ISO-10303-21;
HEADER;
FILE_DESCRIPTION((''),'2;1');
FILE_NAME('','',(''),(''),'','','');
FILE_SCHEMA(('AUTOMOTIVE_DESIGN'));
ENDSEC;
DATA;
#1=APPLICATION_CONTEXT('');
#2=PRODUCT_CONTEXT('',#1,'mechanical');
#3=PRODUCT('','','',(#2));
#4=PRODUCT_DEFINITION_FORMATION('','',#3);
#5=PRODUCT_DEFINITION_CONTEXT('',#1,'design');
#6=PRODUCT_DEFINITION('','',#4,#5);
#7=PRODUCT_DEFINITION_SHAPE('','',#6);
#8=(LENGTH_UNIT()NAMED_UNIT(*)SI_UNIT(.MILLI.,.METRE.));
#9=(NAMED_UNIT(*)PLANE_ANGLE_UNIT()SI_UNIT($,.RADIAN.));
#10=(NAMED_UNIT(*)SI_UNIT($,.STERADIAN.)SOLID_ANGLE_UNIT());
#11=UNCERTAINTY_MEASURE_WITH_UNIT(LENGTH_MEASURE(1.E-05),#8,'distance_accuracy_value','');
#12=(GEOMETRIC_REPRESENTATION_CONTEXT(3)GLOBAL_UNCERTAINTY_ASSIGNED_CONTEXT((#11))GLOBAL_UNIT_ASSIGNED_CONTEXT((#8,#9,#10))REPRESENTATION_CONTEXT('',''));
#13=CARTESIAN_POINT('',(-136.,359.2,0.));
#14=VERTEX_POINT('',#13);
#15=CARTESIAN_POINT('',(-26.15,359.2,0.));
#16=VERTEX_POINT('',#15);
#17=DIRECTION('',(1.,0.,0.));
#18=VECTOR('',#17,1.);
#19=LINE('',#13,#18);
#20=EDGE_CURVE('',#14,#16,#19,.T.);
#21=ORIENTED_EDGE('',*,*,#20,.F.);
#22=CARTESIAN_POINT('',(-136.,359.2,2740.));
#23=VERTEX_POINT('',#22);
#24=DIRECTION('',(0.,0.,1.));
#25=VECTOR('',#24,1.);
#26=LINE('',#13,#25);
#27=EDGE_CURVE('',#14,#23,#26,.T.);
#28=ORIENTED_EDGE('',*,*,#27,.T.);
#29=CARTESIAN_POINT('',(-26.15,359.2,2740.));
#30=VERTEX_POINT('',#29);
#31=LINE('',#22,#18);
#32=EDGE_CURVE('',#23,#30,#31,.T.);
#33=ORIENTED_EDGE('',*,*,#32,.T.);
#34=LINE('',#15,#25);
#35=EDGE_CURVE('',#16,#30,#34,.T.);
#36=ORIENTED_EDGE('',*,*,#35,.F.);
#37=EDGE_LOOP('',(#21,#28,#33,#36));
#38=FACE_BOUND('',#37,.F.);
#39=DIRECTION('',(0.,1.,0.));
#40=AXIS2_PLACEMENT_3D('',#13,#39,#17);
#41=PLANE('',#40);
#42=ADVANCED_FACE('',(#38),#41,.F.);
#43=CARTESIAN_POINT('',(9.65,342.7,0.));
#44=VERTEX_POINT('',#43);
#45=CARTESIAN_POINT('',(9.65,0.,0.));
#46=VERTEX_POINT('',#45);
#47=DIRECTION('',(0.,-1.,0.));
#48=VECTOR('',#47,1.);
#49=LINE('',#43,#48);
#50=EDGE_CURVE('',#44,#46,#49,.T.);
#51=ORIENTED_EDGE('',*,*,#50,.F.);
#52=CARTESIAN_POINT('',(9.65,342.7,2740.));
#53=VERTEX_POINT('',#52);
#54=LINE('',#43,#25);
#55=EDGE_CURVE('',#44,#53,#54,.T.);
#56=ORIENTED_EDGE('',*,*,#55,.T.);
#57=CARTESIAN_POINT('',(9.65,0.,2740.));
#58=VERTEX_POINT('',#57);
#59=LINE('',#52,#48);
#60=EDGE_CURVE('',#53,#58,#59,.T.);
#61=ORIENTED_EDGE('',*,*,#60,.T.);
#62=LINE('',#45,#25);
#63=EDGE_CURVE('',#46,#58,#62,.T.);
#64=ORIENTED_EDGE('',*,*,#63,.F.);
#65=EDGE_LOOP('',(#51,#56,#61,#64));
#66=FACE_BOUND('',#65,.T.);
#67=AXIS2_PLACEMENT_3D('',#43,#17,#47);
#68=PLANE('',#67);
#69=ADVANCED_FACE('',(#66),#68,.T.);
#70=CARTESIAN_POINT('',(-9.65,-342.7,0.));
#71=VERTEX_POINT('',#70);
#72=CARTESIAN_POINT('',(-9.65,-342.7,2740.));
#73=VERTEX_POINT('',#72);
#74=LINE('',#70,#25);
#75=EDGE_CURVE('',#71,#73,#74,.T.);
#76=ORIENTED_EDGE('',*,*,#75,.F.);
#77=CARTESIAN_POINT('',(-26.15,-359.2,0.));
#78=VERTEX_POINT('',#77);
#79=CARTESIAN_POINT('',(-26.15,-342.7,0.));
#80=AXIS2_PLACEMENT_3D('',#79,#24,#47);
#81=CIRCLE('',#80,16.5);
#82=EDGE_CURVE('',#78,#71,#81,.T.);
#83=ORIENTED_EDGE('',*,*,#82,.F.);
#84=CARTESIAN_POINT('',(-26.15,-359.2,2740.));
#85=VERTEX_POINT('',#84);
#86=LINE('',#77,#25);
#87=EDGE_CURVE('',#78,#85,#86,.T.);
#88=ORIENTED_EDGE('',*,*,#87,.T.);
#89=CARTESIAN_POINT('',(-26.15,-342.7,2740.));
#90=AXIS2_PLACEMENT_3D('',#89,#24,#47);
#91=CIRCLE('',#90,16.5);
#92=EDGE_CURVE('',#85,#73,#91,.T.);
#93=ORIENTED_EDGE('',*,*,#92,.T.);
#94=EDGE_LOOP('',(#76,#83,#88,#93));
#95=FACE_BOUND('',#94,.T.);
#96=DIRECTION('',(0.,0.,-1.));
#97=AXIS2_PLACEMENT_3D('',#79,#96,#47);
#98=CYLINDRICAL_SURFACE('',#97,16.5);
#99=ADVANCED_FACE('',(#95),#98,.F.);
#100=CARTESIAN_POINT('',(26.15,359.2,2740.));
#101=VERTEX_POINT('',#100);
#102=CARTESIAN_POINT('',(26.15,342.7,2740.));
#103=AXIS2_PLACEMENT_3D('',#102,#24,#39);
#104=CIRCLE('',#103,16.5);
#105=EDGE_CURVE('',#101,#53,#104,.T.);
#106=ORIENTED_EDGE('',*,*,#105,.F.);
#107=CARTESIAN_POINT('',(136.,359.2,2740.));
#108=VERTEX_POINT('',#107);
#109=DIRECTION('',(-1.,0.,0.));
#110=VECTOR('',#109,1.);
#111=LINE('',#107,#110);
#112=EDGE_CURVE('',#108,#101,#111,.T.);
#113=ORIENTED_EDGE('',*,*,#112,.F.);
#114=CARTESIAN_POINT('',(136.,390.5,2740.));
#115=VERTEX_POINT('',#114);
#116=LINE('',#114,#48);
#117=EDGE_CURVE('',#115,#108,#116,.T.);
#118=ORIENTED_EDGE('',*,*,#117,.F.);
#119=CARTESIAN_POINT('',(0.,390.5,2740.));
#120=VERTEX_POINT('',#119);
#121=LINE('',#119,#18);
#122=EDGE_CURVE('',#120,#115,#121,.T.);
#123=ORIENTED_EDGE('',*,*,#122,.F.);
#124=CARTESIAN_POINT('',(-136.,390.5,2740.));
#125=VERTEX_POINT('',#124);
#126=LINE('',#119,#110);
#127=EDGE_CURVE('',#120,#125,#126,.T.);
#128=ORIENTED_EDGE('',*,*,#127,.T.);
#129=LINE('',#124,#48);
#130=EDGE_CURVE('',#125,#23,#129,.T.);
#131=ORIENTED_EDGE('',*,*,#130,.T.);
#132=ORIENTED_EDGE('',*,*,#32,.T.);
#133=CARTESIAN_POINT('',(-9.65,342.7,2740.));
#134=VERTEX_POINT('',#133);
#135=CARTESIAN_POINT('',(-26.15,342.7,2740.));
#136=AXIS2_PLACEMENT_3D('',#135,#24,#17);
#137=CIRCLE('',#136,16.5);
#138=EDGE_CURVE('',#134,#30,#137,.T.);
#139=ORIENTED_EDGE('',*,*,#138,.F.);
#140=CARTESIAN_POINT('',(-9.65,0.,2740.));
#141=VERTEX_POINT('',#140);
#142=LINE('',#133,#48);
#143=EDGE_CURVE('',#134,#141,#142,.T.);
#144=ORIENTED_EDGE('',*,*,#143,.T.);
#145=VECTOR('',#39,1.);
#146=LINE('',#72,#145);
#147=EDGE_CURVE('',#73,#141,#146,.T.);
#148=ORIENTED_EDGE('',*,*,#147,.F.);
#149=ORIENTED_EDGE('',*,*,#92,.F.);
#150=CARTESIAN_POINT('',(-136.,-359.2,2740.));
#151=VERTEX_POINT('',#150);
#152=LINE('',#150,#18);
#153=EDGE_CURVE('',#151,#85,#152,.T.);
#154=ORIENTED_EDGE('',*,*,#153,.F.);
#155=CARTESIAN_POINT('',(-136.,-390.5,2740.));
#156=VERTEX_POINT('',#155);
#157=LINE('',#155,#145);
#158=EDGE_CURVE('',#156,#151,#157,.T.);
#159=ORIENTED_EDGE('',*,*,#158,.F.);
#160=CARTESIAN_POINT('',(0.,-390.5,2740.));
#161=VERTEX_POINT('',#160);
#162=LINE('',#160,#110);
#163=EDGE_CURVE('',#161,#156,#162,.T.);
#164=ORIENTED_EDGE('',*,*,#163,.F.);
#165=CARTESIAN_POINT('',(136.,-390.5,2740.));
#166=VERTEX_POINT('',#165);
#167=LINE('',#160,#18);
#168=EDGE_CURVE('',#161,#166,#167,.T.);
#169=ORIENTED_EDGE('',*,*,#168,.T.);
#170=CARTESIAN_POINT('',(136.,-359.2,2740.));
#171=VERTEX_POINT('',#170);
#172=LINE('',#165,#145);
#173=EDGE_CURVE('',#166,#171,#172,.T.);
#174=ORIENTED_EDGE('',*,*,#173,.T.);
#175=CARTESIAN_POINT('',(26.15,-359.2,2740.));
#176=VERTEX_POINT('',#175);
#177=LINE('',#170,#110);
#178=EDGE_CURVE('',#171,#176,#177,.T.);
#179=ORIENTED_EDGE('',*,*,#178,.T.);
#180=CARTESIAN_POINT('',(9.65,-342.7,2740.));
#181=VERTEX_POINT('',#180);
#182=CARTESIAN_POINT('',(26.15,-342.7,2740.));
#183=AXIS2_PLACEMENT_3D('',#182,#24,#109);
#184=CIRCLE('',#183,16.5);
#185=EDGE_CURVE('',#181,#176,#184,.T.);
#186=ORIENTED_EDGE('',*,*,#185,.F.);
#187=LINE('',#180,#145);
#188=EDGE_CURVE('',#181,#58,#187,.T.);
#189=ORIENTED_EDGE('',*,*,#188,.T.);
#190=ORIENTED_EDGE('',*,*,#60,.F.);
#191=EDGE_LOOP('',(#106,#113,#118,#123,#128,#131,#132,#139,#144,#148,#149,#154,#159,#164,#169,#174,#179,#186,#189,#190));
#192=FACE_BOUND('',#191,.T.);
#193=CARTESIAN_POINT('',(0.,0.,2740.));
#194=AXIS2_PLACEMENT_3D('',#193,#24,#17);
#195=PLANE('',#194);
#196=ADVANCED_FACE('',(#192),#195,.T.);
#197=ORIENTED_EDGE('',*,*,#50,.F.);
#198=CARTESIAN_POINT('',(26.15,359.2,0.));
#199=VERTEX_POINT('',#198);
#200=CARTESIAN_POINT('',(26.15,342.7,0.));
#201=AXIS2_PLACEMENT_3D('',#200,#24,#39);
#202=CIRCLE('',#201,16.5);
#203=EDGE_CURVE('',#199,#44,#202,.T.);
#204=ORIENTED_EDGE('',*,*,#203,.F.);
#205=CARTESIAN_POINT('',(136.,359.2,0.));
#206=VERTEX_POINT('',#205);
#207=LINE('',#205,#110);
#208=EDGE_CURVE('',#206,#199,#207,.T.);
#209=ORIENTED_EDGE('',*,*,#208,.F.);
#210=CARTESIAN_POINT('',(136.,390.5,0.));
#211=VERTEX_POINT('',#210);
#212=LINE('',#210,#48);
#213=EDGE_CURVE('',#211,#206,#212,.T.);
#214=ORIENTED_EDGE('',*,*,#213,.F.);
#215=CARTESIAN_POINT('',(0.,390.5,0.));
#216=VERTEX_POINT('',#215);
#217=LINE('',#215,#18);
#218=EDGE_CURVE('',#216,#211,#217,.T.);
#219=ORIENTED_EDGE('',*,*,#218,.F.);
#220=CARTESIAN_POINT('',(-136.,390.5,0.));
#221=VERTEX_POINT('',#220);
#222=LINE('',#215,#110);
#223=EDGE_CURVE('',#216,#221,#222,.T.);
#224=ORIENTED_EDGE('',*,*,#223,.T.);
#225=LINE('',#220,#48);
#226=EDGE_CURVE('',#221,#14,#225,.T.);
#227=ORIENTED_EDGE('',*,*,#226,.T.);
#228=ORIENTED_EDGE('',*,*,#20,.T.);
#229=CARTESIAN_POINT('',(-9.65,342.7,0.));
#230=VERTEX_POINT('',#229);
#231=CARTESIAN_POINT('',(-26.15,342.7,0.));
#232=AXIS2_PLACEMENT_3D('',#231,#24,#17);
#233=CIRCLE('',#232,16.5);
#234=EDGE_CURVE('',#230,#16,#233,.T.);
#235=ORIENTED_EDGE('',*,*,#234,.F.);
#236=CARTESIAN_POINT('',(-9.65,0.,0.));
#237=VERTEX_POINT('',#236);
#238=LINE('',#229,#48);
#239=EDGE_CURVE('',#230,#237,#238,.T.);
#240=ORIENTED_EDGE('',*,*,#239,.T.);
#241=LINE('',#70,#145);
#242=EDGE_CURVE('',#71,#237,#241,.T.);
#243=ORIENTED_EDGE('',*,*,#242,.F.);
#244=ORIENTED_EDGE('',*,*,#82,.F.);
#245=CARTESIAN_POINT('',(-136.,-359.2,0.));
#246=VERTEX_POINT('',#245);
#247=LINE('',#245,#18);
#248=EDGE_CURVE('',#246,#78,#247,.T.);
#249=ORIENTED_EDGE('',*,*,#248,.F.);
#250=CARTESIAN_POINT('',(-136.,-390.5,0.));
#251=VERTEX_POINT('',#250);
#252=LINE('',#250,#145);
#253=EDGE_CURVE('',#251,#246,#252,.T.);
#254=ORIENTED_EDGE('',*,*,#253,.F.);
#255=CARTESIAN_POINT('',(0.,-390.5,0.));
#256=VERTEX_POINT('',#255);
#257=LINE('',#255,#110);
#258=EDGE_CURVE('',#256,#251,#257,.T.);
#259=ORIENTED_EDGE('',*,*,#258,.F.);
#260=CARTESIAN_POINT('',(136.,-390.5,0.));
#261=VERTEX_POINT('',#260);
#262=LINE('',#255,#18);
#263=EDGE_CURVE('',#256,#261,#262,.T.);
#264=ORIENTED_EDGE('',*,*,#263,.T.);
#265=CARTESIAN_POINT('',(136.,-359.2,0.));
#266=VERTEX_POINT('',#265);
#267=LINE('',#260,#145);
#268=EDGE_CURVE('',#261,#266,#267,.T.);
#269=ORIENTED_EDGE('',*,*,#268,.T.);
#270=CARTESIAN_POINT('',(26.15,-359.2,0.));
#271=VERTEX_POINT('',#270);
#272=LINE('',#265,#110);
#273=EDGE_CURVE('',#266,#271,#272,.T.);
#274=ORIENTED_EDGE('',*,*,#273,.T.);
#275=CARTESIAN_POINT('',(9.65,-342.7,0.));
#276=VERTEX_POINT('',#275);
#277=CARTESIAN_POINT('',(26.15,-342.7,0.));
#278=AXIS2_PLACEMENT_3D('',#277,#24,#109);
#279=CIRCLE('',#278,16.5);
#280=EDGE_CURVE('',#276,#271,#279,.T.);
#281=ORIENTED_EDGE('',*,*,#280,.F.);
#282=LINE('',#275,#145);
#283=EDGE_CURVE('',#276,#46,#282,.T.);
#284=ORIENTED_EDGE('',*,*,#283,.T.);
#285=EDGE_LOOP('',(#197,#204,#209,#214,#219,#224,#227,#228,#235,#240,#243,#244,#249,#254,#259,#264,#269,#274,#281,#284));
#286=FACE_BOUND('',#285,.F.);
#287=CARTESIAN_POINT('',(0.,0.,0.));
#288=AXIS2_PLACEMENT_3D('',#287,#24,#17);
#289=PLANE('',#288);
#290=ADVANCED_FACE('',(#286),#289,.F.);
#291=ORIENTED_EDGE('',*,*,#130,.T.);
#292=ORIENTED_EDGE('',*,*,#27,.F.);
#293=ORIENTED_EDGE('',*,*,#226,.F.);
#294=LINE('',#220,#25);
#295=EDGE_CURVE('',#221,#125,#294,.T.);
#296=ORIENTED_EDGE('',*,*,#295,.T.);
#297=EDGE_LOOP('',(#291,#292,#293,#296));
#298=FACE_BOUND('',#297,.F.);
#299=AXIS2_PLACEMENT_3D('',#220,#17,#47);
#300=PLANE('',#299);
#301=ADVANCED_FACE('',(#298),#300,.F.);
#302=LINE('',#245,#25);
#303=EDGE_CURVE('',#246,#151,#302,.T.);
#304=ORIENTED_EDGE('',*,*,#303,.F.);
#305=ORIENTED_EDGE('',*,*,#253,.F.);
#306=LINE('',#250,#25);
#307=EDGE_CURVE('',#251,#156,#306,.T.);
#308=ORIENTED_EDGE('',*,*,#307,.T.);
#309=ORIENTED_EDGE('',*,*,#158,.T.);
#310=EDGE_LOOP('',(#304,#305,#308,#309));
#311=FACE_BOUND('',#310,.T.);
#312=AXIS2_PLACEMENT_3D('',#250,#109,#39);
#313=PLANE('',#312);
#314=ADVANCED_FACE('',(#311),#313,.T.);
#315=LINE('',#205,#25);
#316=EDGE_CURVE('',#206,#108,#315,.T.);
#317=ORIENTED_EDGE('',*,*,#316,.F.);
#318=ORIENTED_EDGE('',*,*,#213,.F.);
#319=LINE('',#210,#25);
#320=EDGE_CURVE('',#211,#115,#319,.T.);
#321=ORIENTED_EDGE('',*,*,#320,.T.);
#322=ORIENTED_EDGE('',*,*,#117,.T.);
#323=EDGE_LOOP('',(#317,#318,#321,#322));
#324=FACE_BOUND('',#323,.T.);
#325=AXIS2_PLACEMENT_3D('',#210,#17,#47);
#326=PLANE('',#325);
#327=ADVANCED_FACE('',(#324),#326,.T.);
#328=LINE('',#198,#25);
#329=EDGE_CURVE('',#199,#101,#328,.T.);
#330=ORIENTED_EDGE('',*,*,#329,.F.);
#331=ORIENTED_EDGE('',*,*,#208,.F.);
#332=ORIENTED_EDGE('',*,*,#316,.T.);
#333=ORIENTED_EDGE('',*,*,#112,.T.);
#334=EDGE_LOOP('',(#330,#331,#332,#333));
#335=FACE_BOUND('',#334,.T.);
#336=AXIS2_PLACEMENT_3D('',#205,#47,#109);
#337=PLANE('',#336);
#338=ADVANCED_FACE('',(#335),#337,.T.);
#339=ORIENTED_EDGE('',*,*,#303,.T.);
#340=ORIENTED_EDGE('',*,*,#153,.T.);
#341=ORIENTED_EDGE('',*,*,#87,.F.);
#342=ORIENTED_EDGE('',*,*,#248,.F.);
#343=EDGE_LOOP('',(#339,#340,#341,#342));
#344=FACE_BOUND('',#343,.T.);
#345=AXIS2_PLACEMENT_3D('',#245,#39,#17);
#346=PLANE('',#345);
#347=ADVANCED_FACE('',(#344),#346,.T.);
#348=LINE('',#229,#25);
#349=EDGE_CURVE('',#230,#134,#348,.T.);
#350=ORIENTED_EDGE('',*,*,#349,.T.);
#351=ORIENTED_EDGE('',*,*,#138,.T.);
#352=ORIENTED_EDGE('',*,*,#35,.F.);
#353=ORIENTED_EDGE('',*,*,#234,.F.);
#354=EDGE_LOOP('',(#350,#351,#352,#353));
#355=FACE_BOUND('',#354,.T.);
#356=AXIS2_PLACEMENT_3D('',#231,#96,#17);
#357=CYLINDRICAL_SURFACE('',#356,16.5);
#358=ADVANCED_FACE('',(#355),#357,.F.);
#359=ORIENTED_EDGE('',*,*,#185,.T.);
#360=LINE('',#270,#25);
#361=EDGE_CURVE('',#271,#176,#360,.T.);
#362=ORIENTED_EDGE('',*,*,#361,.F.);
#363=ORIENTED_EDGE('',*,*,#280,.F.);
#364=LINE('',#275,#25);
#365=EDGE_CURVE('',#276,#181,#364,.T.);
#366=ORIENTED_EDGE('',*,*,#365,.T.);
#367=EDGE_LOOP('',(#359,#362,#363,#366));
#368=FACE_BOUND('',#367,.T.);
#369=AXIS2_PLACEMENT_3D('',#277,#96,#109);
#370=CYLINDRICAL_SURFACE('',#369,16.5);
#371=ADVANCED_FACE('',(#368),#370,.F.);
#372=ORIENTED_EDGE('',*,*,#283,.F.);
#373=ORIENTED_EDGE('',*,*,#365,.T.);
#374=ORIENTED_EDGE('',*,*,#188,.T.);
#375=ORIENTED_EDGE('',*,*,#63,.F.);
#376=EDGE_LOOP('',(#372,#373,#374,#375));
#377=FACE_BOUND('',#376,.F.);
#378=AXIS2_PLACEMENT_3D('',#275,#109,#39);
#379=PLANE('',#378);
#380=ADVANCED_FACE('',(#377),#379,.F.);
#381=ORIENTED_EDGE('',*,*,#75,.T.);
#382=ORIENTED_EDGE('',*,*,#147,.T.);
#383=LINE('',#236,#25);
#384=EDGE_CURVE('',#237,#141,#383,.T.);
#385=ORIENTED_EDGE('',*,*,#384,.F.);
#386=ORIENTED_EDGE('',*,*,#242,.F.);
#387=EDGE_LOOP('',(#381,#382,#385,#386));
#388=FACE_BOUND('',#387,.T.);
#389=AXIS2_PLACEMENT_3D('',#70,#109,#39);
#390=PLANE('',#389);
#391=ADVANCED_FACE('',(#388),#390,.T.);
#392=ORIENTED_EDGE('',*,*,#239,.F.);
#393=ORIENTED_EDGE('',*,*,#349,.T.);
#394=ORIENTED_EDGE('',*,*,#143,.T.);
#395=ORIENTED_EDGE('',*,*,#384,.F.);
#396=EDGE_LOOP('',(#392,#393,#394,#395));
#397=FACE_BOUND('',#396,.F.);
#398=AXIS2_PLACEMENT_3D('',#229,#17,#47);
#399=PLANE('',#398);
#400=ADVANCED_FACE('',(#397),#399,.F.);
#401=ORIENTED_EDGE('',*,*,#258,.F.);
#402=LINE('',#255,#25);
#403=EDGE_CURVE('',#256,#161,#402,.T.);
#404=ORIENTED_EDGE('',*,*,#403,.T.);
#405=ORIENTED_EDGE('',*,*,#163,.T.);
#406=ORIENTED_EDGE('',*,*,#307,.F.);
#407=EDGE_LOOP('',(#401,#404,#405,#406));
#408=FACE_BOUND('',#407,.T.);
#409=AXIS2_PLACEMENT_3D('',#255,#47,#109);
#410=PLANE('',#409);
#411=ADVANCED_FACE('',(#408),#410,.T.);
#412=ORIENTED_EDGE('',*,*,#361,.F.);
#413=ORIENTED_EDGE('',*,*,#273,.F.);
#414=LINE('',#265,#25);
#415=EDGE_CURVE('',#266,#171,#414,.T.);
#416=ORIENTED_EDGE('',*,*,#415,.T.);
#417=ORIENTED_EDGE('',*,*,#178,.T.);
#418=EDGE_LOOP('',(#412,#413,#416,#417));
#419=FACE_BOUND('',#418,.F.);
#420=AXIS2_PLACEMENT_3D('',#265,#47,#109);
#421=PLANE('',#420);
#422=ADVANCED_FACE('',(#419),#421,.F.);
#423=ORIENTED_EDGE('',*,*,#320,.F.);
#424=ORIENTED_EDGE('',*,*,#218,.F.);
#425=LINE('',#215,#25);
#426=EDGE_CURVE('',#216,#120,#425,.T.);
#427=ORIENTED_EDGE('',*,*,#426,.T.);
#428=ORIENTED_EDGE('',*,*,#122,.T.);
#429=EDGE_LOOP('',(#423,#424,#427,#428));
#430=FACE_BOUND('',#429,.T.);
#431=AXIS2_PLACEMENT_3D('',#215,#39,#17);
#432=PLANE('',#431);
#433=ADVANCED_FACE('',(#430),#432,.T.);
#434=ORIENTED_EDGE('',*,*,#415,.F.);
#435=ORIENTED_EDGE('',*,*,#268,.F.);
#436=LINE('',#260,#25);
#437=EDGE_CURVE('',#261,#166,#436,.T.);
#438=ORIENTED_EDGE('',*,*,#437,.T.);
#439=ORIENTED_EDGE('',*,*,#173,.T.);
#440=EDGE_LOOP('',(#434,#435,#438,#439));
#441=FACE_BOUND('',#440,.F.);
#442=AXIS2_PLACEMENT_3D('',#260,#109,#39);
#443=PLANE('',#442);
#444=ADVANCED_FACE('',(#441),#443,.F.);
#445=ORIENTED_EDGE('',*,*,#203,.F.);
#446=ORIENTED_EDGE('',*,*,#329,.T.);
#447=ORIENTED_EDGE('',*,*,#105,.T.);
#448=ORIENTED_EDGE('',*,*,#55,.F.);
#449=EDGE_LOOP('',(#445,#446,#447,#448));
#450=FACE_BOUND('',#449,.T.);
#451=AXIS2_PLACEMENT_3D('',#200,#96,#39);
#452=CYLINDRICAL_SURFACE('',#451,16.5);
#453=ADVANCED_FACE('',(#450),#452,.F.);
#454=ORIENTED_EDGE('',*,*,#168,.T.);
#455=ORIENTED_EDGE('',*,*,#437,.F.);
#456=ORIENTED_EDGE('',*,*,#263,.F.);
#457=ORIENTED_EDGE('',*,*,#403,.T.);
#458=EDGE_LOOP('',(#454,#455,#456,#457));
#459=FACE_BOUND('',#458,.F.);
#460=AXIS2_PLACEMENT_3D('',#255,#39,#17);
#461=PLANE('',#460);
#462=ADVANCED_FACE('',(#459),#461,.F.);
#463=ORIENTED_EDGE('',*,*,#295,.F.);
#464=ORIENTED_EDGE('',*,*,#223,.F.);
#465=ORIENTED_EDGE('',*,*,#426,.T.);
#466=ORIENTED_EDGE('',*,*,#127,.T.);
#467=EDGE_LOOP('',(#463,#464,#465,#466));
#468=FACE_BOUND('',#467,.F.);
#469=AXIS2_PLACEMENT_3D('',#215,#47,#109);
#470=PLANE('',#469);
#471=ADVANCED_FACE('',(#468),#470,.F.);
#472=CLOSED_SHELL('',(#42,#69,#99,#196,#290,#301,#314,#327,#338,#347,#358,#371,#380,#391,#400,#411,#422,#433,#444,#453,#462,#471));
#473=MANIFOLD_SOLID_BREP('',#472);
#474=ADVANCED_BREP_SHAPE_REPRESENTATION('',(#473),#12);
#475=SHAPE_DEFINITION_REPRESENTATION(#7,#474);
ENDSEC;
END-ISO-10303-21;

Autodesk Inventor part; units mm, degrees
ref_plane "YZ Plane" through (0, 0, 0) normal (1, 0, 0) x (0, 1, 0)
ref_plane "Start plane" through (0, 0, 0) normal (0, 0, 1) x (1, 0, 0)
ref_plane "End plane" through (0, 0, 2740) normal (0, 0, 1) x (1, 0, 0)
sketch "Sketch" plane through (0, 0, 0) normal (0, 0, 1) x (1, 0, 0)
  line L0 (-136, -390.5) -> (-136, -359.2)
  line L1 (-136, -359.2) -> (-26.15, -359.2)
  line L2 (-9.65, -342.7) -> (-9.65, 0)
  line L3 (-9.65, 0) -> (0, 0) construction
  line L4 (0, 0) -> (0, -390.5) construction
  line L5 (0, -390.5) -> (-136, -390.5)
  line L6 (-60, 0) -> (80, 0) construction
  line L7 (0, -60) -> (0, 80) construction
  line L8 (136, -390.5) -> (136, -359.2)
  line L9 (136, -359.2) -> (26.15, -359.2)
  line L10 (9.65, -342.7) -> (9.65, 0)
  line L11 (9.65, 0) -> (0, 0) construction
  line L12 (0, -390.5) -> (136, -390.5)
  line L13 (-136, 390.5) -> (-136, 359.2)
  line L14 (-136, 359.2) -> (-26.15, 359.2)
  line L15 (-9.65, 342.7) -> (-9.65, 0)
  line L16 (0, 390.5) -> (-136, 390.5)
  line L17 (136, 390.5) -> (136, 359.2)
  line L18 (136, 359.2) -> (26.15, 359.2)
  line L19 (0, 390.5) -> (136, 390.5)
  line L20 (9.65, 342.7) -> (9.65, 0)
  arc A0 (-9.65, 342.7) -> (-26.15, 359.2) centre (-26.15, 342.7) ccw
  arc A1 (26.15, 359.2) -> (9.65, 342.7) centre (26.15, 342.7) ccw
  arc A2 (9.65, -342.7) -> (26.15, -359.2) centre (26.15, -342.7) ccw
  arc A3 (-26.15, -359.2) -> (-9.65, -342.7) centre (-26.15, -342.7) ccw
  line L21 (0, 108) -> (0, -88) construction
  line L22 (-88, 0) -> (108, 0) construction
  point P0 (-9.65, -359.2)
  point P1 (9.65, -359.2)
  point P2 (-9.65, 359.2)
  point P3 (9.65, 359.2)
  dimension "d1" = 390.5
  dimension "d2" = 31.3
  dimension "d3" = 136
  dimension "d4" = 9.65
  dimension "d10" = 16.5
extrude "Body" add sketch "Sketch" along normal up to surface (2740 mm away) from surface at 0
sketch "Sketch4" plane through (0, 0, 0) normal (0, 0, 1) x (1, 0, 0)
  line L0 (0, 0) -> (10, 0)
ref_plane "Work Plane3" through (0, 0, 0) normal (0, -1, 0) x (1, 0, 0)
sketch "Sketch5" plane through (0, 0, 0) normal (0, -1, 0) x (1, 0, 0)
  line L0 (-2, 0) -> (12, 0) projected
  line L1 (-2, 2740) -> (12, 2740) projected
  dimension "d14" = 2740
equation "\"d1\" = 0.5 * G_H"
equation "\"d2\" = G_T1"
equation "\"d3\" = 0.5 * G_W"
equation "\"d4\" = 0.5 * G_T"
equation "\"d10\" = G_IR"
equation "\"d5\" = G_L"
equation "\"G_W\" = 272"
equation "\"G_H\" = 781"
equation "\"G_T\" = 19.3"
equation "\"G_T1\" = 31.3"
equation "\"G_IR\" = 16.5"
equation "\"G_L\" = d14"
equation "\"G_OFFSET_START\" = 0"
equation "\"G_OFFSET_END\" = 0"
properties part number "AS 3679-1990 - 760 UB - 244 - 2740" material "Steel, Mild"
